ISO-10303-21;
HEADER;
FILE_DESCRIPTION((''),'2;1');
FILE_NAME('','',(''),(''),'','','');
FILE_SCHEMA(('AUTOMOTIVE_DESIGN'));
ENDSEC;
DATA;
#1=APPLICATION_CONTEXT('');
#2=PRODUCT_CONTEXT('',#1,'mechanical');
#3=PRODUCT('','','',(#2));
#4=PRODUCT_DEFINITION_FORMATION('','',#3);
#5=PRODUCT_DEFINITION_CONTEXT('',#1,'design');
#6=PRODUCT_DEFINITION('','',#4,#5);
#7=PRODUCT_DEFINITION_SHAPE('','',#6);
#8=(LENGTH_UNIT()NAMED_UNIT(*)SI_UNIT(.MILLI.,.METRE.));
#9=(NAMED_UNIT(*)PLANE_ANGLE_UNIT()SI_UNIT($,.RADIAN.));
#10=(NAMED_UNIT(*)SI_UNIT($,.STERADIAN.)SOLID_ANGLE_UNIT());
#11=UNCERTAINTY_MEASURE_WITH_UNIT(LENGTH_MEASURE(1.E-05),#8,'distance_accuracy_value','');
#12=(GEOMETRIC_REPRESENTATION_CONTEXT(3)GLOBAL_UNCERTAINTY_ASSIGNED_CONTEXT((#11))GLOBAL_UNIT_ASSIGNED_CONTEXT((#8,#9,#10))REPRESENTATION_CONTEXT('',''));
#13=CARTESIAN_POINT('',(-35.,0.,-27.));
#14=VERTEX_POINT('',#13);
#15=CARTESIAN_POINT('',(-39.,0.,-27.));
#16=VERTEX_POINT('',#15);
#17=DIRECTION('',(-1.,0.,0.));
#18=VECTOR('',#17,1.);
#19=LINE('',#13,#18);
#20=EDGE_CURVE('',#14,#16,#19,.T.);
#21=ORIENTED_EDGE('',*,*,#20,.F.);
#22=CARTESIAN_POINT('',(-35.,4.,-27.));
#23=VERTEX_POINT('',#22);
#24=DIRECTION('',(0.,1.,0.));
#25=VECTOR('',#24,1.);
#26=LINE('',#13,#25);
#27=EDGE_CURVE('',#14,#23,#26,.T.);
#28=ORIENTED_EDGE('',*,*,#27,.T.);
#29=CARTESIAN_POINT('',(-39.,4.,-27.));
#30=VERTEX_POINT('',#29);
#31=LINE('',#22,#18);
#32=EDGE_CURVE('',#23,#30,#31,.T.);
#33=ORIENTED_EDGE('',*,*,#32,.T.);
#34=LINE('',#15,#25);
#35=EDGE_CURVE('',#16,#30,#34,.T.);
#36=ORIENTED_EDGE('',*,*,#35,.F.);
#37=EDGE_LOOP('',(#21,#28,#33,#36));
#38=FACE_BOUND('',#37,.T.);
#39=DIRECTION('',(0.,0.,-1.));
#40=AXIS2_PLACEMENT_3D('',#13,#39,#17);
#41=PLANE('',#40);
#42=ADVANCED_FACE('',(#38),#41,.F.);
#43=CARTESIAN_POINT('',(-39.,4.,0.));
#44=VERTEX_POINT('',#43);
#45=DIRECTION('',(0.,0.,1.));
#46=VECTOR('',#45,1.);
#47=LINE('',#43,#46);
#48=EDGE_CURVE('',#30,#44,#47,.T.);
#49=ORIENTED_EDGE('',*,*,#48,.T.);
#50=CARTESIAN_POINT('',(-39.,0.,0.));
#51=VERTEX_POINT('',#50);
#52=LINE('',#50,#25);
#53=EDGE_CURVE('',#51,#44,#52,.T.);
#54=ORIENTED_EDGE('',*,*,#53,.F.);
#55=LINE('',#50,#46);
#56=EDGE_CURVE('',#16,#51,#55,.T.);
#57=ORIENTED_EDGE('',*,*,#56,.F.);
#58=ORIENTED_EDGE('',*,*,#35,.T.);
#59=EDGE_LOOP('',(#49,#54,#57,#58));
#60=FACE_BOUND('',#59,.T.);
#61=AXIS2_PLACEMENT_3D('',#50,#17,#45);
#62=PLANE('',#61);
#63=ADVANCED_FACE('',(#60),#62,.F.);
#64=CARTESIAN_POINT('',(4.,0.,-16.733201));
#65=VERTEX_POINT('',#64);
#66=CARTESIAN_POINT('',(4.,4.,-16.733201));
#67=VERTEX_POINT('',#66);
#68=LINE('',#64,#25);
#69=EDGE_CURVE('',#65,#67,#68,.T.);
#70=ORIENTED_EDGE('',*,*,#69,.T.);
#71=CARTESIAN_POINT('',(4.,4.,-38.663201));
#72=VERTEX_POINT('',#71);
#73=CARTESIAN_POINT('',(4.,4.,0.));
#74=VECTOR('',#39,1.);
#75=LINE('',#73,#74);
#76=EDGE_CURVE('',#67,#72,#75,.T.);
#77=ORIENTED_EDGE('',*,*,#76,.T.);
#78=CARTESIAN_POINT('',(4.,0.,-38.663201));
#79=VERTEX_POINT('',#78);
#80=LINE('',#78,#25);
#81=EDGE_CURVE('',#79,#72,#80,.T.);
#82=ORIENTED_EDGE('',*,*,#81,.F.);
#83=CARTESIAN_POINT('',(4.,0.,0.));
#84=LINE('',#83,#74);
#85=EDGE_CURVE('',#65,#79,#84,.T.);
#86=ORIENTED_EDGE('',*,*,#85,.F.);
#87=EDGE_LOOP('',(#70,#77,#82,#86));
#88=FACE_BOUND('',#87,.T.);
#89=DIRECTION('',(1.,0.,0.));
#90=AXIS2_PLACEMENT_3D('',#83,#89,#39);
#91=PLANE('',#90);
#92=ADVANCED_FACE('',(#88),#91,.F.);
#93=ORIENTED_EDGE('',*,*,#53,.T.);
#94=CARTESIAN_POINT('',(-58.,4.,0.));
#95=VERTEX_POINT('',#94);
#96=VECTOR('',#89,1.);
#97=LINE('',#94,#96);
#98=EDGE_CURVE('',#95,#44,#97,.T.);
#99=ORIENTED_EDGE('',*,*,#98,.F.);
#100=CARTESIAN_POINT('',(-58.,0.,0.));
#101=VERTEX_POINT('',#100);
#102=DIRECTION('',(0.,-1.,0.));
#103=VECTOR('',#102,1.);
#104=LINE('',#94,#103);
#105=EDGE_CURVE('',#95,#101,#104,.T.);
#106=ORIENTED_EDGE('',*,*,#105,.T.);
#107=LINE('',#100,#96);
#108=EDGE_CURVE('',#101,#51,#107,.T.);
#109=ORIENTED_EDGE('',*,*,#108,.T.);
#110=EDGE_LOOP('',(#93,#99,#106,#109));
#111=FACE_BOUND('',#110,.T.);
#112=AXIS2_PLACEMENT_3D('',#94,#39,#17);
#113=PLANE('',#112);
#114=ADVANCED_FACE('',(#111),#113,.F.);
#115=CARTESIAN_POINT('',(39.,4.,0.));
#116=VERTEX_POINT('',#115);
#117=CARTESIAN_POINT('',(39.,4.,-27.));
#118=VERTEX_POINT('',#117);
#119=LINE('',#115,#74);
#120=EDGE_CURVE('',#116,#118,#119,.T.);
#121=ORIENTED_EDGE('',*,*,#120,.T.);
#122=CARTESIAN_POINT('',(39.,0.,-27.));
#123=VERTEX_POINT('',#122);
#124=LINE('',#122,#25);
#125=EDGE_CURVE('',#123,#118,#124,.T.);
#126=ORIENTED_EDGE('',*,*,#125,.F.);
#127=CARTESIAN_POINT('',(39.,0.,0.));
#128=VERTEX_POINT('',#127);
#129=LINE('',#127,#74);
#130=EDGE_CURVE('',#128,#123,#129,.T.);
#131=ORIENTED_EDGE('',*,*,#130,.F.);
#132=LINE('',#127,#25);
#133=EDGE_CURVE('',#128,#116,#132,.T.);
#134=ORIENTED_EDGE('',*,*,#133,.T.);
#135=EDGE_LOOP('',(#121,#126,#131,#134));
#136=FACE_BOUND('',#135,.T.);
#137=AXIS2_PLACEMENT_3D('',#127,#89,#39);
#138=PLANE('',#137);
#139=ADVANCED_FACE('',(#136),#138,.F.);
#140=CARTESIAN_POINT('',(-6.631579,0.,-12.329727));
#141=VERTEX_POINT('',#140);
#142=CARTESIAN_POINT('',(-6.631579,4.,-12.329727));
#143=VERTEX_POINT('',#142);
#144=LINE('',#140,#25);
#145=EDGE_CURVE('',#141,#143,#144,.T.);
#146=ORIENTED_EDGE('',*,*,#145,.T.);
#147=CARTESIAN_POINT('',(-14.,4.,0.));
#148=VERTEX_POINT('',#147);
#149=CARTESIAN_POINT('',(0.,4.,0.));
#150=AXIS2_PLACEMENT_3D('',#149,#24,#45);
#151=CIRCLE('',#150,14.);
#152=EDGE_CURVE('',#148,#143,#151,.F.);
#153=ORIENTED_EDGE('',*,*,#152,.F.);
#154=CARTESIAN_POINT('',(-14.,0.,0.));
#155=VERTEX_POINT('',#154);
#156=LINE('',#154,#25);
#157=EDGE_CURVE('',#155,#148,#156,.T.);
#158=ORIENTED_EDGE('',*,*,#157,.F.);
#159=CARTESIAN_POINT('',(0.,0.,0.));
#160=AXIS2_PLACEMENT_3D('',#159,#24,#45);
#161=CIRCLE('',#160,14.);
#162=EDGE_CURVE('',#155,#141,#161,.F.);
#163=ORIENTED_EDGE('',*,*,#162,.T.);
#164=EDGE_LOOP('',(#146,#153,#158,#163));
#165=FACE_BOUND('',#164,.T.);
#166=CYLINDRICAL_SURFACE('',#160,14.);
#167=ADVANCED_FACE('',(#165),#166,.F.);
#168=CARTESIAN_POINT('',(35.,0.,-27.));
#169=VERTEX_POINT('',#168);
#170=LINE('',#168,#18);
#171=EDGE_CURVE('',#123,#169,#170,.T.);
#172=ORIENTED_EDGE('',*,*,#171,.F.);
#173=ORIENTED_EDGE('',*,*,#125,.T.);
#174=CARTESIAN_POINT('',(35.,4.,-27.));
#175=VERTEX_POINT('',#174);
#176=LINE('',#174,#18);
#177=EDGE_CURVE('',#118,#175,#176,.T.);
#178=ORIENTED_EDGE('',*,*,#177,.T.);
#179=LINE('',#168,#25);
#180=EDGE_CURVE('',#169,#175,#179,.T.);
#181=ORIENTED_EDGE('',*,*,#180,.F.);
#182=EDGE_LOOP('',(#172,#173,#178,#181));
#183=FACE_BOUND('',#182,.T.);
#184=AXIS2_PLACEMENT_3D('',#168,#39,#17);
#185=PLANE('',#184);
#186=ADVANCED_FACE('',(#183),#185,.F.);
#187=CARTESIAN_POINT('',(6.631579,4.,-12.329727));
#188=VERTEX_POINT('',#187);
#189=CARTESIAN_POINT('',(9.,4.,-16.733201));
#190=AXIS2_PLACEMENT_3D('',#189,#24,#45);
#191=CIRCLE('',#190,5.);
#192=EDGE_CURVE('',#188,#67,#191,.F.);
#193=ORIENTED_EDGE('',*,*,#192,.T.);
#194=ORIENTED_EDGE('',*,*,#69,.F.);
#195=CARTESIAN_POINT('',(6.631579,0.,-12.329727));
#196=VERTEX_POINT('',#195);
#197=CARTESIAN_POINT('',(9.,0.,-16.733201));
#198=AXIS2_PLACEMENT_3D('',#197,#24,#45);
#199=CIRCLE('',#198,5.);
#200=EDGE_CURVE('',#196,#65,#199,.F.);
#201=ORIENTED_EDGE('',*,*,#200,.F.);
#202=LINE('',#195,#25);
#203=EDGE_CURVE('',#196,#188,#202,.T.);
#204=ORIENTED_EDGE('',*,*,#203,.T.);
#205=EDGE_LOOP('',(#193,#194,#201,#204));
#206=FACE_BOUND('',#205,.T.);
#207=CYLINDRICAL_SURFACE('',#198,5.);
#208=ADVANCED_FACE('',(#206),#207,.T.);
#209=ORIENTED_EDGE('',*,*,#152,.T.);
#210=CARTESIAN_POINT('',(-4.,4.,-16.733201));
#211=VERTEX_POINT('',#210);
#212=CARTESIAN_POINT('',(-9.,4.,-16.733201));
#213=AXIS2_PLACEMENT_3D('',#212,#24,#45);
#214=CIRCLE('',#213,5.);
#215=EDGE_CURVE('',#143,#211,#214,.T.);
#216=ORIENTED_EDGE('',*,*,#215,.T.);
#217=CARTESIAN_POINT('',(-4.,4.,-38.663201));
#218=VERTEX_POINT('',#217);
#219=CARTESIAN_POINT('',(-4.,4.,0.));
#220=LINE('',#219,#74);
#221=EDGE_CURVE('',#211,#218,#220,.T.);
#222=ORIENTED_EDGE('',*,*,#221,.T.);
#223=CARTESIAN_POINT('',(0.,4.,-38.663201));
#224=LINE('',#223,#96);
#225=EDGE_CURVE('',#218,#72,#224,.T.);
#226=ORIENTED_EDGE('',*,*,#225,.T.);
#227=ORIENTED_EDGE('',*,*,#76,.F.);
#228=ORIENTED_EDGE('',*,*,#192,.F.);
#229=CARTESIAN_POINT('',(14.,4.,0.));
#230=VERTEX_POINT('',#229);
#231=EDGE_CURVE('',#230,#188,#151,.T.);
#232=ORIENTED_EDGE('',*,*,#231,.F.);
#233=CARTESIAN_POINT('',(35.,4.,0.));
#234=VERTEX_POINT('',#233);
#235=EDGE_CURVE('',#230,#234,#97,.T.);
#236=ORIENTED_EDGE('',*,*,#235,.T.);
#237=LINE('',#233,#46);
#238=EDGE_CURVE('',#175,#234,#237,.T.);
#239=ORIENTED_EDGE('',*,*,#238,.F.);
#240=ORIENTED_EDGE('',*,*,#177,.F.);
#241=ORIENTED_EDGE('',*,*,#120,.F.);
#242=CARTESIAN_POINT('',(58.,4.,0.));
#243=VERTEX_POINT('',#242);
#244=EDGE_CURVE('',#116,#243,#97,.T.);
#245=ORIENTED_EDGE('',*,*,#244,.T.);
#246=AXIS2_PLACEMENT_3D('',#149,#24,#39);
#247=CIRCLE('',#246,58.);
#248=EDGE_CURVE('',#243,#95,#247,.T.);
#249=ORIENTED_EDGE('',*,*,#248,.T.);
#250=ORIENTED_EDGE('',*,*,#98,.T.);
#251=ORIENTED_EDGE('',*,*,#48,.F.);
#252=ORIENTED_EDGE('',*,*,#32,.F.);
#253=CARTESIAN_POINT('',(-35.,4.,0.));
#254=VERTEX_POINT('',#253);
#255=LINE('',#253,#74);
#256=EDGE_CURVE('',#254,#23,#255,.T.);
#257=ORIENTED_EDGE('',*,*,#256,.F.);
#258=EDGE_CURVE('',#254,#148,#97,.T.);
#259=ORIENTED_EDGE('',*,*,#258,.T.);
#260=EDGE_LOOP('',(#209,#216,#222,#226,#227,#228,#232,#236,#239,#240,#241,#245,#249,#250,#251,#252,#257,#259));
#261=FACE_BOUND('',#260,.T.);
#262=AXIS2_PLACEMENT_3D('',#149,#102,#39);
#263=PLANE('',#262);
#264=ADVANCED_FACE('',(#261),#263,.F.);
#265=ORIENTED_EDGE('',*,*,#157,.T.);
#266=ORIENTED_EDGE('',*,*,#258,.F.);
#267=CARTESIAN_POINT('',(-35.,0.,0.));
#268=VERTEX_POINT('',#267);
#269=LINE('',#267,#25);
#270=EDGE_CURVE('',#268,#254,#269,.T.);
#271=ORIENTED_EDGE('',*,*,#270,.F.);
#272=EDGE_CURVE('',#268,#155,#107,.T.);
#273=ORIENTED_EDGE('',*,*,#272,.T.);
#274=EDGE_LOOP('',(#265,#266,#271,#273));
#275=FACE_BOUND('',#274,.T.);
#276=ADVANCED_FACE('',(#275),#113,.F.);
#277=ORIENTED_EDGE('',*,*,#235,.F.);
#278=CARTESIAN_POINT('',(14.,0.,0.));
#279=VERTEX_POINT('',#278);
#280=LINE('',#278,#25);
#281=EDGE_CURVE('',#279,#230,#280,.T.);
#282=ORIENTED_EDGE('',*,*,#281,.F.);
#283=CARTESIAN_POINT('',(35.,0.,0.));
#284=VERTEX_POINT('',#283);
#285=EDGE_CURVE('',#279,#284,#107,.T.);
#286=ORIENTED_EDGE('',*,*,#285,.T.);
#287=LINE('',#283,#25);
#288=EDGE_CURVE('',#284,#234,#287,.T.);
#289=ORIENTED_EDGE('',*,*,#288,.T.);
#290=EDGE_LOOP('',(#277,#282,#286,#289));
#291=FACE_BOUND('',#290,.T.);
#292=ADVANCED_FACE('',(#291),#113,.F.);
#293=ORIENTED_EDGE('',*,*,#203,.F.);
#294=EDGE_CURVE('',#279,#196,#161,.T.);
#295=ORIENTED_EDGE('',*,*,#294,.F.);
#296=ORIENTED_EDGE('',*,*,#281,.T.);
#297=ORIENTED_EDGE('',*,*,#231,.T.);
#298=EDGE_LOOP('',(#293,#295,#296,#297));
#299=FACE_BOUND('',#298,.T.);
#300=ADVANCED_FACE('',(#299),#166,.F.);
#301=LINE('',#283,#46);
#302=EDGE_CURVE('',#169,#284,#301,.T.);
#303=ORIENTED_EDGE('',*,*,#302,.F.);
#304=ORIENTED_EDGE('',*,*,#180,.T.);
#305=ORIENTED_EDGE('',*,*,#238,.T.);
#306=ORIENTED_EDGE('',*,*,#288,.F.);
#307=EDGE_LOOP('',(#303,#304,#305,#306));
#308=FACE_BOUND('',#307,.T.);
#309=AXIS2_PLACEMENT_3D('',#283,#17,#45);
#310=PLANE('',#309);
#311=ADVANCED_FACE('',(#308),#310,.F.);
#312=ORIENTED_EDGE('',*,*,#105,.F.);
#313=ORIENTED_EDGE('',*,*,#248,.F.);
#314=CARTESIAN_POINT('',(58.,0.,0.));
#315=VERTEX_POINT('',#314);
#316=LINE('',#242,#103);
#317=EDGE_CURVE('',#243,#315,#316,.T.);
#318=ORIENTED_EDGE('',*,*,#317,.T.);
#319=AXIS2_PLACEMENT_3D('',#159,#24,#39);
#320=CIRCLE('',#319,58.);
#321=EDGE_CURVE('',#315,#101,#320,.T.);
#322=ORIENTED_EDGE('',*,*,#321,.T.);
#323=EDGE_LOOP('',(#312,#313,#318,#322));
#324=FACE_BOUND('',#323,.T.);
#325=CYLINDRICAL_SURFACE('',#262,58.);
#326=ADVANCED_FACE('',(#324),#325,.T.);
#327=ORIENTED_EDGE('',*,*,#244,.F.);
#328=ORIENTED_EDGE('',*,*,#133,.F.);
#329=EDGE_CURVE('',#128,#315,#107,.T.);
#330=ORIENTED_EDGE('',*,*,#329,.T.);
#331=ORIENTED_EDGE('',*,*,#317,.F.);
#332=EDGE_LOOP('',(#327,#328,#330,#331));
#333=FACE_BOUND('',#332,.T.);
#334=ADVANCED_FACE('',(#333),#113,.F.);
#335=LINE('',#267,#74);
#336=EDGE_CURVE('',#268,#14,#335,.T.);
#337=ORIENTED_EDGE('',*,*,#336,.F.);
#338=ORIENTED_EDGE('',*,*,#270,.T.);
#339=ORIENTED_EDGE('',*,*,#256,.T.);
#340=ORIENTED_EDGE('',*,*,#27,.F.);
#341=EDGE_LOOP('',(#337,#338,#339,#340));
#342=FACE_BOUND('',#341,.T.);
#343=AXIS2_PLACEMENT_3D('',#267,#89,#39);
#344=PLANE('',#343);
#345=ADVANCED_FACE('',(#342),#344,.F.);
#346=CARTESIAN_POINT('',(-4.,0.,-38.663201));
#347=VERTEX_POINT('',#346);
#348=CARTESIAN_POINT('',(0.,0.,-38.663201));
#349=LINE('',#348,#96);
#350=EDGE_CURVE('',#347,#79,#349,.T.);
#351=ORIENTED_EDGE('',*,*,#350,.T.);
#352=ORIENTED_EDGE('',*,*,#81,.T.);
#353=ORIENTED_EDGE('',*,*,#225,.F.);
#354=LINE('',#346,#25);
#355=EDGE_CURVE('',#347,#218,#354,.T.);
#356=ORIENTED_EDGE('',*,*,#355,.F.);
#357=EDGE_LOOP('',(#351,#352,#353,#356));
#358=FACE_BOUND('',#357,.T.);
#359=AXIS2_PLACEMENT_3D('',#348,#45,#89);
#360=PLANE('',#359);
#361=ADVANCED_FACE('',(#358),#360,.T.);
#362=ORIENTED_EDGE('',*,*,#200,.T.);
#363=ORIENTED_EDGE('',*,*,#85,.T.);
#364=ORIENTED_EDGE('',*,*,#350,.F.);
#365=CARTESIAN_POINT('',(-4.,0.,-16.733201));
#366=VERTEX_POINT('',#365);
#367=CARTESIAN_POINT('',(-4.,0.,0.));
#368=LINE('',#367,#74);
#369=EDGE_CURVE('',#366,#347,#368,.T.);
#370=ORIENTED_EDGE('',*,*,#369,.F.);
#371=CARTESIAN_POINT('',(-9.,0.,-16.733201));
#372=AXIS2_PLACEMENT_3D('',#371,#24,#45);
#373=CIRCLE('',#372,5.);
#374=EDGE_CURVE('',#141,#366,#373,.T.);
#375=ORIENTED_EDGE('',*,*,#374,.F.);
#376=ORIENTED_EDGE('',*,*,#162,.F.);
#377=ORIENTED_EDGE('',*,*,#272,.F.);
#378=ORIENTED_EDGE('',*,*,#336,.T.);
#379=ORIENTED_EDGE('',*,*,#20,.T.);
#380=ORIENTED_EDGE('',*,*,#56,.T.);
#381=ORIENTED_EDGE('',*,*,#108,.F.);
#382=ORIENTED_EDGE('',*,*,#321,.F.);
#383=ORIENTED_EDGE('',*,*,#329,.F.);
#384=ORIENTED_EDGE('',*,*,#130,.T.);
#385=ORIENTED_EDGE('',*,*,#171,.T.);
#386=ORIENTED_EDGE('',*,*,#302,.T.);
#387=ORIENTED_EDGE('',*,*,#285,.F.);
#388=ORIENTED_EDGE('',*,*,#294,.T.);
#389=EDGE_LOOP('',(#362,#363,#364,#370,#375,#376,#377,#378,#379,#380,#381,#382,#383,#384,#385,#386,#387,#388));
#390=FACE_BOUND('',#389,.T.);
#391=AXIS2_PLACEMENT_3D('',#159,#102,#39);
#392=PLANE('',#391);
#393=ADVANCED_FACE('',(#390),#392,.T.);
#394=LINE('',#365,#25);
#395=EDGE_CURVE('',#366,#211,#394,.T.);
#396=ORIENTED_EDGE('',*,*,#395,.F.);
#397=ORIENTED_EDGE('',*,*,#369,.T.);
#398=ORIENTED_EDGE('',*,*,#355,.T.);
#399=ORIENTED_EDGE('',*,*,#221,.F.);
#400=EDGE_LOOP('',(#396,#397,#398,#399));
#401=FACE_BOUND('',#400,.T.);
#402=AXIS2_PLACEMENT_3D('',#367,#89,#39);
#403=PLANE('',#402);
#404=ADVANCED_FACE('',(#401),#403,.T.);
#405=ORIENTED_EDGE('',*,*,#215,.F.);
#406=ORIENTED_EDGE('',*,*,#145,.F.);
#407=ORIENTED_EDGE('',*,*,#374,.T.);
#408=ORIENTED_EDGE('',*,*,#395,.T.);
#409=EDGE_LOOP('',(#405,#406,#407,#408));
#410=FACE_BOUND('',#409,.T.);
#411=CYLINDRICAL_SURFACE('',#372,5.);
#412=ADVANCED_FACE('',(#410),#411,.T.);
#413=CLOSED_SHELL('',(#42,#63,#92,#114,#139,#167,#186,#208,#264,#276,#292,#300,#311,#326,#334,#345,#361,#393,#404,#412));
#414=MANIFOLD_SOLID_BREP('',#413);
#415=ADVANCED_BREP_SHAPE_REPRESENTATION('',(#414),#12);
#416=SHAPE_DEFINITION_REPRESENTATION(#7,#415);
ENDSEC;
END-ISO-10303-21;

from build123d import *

# Parameters (mm, degrees)
BOSS_EXTRUDE1_DEPTH = 4
SKETCH2_W           = 4
SKETCH2_H           = 27
CUT_EXTRUDE1_DEPTH  = 83.121860671
CUT_EXTRUDE2_DEPTH  = 83.121860671


with BuildPart() as part:
    # Sketch1 → Boss-Extrude1 (new body)
    with BuildSketch(Plane(origin=(0, 0, 0), x_dir=(1, 0, 0), z_dir=(0, 1, 0))):
        with BuildLine():
            Line((-58, 0), (58, 0))
            ThreePointArc((58, 0), (0, 58), (-58, 0))
        make_face()
    extrude(amount=BOSS_EXTRUDE1_DEPTH)

    # Sketch2 → Cut-Extrude1 (cut, through all)
    with BuildSketch(Plane(origin=(0, 4, 0), x_dir=(1, 0, 0), z_dir=(0, 1, 0))):
        with Locations((37, 13.5)):
            Rectangle(SKETCH2_W, SKETCH2_H)
        with Locations((-37, 13.5)):
            Rectangle(SKETCH2_W, SKETCH2_H)
    extrude(amount=-CUT_EXTRUDE1_DEPTH, mode=Mode.SUBTRACT)

    # Sketch3 → Cut-Extrude2 (cut, through all)
    with BuildSketch(Plane(origin=(0, 4, 0), x_dir=(1, 0, 0), z_dir=(0, 1, 0))):
        with BuildLine():
            Line((4, 38.663200531), (0, 38.663200531))
            Line((0, 38.663200531), (0, 0))
            Line((0, 0), (14, 0))
            ThreePointArc((14, 0), (12.017531054, 7.181848465), (6.631578947, 12.329726707))
            ThreePointArc((6.631578947, 12.329726707), (4.708024624, 14.16825465), (4, 16.733200531))
            Line((4, 16.733200531), (4, 38.663200531))
        make_face()
        with BuildLine():
            Line((-4, 38.663200531), (-4, 16.733200531))
            ThreePointArc((-4, 16.733200531), (-4.708024624, 14.16825465), (-6.631578947, 12.329726707))
            ThreePointArc((-6.631578947, 12.329726707), (-12.017531054, 7.181848465), (-14, 0))
            Line((-14, 0), (0, 0))
            Line((0, 0), (0, 38.663200531))
            Line((0, 38.663200531), (-4, 38.663200531))
        make_face()
    extrude(amount=-CUT_EXTRUDE2_DEPTH, mode=Mode.SUBTRACT)


solid = part.part
